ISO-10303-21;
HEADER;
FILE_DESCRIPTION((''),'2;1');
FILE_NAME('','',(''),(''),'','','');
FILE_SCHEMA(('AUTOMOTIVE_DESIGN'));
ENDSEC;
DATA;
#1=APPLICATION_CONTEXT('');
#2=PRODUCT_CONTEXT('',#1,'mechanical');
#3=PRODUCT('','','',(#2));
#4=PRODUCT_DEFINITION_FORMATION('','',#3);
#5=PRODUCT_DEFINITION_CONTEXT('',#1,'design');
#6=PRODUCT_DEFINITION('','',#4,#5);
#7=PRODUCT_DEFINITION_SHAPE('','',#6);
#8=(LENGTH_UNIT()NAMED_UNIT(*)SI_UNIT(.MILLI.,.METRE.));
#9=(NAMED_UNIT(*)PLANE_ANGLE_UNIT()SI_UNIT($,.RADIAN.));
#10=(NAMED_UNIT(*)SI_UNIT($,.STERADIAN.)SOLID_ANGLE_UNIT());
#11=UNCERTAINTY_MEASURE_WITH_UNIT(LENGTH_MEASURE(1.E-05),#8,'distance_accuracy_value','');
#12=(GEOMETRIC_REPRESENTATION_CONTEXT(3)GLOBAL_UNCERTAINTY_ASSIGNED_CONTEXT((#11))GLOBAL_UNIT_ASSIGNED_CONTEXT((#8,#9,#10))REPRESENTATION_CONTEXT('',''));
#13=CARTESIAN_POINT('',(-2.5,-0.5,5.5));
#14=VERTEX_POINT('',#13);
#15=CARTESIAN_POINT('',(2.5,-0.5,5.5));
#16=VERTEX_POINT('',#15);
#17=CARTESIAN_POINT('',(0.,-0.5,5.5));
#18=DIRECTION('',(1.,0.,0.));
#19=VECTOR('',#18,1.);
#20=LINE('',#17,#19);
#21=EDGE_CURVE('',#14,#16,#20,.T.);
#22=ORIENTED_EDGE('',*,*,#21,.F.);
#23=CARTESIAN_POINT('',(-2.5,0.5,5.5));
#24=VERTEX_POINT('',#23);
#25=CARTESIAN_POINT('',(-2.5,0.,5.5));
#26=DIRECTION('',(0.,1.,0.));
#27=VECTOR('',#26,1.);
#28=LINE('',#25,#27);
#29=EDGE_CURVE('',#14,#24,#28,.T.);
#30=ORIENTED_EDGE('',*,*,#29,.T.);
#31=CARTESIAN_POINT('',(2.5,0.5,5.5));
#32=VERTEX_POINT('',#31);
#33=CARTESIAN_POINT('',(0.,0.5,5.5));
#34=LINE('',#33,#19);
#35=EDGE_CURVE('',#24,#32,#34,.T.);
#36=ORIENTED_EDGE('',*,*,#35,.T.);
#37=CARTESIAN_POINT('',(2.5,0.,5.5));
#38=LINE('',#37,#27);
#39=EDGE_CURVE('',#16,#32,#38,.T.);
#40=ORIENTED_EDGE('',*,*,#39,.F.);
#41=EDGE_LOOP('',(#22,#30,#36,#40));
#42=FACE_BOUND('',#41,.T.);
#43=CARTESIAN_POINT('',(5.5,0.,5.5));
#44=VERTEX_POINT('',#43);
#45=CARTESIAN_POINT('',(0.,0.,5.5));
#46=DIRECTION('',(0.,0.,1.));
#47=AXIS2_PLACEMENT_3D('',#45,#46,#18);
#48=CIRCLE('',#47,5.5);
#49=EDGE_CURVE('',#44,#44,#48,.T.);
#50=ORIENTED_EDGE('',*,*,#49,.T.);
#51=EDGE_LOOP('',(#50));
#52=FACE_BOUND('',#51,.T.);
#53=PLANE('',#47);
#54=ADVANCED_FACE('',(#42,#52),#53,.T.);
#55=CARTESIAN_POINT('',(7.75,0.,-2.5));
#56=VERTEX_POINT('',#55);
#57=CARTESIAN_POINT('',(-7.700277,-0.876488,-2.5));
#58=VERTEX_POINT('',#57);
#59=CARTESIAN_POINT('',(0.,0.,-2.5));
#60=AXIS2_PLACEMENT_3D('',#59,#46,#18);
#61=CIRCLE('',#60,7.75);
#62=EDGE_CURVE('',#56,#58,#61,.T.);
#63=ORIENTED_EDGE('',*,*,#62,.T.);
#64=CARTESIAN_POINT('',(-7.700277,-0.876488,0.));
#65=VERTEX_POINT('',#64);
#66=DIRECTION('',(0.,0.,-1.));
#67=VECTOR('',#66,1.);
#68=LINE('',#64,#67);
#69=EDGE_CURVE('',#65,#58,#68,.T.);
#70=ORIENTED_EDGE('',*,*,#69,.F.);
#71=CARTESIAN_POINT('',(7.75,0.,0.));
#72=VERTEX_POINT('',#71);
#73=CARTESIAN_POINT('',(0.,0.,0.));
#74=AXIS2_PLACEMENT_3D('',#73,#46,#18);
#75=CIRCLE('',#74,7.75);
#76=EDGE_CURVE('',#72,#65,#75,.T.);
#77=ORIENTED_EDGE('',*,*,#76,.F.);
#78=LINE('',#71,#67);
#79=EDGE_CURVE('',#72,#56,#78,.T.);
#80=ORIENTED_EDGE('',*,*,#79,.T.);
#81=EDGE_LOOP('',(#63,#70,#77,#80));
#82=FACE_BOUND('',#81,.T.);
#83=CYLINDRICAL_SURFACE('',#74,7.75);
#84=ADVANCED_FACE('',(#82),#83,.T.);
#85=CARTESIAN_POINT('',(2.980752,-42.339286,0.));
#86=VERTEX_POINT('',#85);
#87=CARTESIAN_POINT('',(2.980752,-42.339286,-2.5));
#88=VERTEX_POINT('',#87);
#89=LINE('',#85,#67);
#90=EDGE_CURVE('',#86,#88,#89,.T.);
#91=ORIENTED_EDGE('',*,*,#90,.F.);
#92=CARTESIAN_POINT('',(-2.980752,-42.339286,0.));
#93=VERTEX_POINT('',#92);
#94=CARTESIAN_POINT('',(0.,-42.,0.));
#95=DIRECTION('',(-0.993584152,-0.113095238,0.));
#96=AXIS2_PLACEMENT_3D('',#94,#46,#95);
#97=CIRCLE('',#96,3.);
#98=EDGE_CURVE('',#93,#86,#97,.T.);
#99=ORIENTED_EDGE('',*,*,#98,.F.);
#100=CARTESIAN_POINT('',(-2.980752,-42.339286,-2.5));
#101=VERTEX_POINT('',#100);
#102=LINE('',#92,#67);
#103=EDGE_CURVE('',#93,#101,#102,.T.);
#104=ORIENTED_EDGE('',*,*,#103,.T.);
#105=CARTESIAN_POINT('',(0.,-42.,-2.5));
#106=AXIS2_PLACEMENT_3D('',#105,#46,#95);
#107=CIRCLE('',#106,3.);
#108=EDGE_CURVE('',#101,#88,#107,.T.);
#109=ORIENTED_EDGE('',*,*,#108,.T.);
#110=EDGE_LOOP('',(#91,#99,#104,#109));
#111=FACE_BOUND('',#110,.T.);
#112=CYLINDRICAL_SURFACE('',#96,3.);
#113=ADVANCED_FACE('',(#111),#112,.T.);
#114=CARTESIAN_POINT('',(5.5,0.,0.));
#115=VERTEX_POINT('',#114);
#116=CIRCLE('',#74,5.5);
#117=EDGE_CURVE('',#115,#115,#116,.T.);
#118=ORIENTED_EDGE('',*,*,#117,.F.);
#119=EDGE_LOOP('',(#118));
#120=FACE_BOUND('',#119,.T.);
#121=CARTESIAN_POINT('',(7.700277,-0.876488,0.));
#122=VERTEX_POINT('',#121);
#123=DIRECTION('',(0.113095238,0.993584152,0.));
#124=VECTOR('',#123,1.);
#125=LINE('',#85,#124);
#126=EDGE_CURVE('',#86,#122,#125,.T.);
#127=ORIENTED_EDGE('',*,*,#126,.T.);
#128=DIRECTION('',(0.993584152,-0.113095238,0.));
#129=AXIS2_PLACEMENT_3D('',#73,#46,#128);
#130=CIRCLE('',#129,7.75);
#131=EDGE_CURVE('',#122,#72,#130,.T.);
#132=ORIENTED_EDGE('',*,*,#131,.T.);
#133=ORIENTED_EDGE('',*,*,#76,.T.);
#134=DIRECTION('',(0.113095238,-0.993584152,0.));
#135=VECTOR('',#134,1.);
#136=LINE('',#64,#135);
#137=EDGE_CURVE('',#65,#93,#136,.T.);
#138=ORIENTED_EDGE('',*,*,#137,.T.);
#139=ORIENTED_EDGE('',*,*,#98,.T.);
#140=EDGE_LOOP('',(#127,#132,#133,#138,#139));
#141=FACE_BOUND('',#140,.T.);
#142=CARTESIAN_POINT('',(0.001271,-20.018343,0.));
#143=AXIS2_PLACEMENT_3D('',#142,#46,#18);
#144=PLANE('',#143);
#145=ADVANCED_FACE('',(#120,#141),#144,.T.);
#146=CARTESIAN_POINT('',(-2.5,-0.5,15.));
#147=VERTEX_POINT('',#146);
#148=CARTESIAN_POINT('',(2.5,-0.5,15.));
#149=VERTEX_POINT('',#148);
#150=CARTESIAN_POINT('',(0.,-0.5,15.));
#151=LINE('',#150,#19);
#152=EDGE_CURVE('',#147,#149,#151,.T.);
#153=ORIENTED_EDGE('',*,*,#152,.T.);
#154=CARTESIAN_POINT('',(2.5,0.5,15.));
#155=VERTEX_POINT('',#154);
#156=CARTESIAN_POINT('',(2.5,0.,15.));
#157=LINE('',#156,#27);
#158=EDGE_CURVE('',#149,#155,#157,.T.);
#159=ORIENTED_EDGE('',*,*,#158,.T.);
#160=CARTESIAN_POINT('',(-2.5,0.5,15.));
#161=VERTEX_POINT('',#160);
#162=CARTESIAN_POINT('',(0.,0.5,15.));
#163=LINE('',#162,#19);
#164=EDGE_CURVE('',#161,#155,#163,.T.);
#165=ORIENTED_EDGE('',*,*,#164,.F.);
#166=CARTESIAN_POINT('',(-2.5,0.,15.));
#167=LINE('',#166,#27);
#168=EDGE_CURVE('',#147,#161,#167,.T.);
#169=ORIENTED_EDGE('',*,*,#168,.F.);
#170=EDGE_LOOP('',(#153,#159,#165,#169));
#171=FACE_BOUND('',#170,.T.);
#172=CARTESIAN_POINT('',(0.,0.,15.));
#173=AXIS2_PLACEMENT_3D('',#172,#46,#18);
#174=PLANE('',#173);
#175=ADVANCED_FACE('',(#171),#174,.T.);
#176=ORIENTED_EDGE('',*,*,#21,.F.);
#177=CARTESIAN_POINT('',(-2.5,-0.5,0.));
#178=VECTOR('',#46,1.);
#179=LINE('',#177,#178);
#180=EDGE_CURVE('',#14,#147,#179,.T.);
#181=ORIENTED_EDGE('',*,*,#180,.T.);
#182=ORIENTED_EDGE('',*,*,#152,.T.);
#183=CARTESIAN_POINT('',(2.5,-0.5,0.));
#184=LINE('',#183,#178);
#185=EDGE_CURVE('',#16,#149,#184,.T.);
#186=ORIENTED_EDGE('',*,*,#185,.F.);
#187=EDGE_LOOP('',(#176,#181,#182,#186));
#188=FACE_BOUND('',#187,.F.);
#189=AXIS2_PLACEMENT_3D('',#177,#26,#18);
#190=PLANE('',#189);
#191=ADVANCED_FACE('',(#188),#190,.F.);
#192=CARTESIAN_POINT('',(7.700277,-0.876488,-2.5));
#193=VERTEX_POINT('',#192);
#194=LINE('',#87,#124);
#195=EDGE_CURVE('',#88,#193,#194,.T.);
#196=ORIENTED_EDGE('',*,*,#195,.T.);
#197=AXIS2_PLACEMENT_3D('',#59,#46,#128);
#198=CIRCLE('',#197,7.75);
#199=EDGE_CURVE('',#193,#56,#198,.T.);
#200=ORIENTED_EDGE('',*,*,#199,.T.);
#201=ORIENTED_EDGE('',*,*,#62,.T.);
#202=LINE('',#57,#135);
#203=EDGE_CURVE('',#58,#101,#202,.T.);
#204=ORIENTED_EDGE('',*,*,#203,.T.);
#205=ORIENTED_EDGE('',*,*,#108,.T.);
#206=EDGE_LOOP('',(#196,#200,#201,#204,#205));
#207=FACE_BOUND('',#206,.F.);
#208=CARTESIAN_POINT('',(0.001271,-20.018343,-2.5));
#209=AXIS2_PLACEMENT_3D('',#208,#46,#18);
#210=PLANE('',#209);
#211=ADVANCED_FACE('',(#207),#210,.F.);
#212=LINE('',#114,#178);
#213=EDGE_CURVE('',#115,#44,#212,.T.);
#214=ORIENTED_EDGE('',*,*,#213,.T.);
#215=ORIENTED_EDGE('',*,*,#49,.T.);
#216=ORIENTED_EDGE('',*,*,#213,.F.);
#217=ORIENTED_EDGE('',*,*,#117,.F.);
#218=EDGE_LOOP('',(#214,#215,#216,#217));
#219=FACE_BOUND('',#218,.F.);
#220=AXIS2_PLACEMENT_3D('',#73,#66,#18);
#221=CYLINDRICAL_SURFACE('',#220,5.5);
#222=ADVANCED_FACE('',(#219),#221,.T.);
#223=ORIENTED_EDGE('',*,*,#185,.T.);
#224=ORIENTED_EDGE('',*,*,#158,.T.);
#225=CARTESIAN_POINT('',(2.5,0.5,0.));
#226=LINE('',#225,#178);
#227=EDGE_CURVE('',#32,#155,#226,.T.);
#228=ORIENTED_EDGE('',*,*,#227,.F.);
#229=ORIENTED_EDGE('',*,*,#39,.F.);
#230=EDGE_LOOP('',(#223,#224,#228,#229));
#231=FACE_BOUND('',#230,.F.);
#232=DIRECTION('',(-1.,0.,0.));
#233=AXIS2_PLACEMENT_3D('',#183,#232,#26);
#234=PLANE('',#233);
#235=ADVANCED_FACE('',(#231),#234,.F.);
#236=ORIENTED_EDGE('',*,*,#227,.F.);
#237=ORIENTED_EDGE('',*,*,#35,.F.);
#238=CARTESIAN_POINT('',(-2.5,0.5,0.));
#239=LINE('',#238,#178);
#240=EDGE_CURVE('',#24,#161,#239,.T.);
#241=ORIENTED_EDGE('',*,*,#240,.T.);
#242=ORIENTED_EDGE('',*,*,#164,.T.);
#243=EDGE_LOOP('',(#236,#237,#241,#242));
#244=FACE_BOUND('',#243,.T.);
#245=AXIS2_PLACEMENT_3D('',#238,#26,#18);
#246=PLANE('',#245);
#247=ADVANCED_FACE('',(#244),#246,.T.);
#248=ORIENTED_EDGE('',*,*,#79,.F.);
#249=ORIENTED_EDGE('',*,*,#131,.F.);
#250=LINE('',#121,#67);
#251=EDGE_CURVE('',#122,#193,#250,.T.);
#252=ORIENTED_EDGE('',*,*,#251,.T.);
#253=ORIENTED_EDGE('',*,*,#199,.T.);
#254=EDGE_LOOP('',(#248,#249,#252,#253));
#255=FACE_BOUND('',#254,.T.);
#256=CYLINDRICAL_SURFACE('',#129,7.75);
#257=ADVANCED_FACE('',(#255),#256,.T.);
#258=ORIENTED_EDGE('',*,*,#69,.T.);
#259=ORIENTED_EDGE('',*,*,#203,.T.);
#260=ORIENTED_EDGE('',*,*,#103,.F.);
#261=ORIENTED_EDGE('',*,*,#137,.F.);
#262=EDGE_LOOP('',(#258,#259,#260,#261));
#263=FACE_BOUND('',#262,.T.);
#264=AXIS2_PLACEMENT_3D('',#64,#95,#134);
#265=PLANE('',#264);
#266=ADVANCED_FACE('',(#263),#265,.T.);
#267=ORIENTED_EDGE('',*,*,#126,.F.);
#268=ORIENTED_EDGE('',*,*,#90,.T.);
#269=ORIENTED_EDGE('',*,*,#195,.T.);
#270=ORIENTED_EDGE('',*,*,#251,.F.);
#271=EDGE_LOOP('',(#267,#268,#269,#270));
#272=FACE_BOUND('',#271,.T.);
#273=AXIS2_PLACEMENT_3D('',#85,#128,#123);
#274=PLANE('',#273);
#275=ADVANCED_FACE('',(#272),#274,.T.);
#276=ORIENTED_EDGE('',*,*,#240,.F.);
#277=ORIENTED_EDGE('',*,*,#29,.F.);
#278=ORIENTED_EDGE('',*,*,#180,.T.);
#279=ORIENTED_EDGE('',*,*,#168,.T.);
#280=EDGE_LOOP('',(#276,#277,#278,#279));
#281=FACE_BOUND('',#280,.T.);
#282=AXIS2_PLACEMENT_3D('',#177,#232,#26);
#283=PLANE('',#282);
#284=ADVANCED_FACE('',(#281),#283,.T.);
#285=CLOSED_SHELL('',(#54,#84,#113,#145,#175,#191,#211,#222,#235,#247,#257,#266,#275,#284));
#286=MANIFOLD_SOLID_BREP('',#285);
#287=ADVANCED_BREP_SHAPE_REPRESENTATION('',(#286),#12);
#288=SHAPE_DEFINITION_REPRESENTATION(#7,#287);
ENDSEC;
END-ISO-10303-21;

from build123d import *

# Parameters (mm, degrees)
F0_W     = 5
F0_H     = 1
F1_DEPTH = 15
F0_R     = 5.5
F2_DEPTH = 5.5
F3_DEPTH = 2.5


with BuildPart() as f1:
    # F0 (on Top) → F1 (new body)
    with BuildSketch(Plane.XY):
        Rectangle(F0_W, F0_H)
    extrude(amount=F1_DEPTH)

    # F0 (on Top) → F2 (join)
    with BuildSketch(Plane.XY):
        Circle(F0_R)
        Rectangle(F0_W, F0_H, mode=Mode.SUBTRACT)
    extrude(amount=F2_DEPTH)

    # F0 (on Top) → F3 (join)
    with BuildSketch(Plane.XY):
        with BuildLine():
            ThreePointArc((7.7002771781, -0.8764880952), (0, -7.75), (-7.7002771781, -0.8764880952))
            Line((-7.7002771781, -0.8764880952), (-2.980752456, -42.3392857143))
            ThreePointArc((-2.980752456, -42.3392857143), (-0.1699156143, -39.0048157512), (3, -42))
            ThreePointArc((3, -42), (2.9951842488, -42.1699156143), (2.980752456, -42.3392857143))
            Line((2.980752456, -42.3392857143), (7.7002771781, -0.8764880952))
        make_face()
        with BuildLine():
            ThreePointArc((7.7002771781, -0.8764880952), (7.7375593093, -0.4389486702), (7.75, 0))
            ThreePointArc((7.75, 0), (-0.4389486702, 7.7375593093), (-7.7002771781, -0.8764880952))
            ThreePointArc((-7.7002771781, -0.8764880952), (0, -7.75), (7.7002771781, -0.8764880952))
        make_face()
        Circle(F0_R, mode=Mode.SUBTRACT)
        Circle(F0_R)
        Rectangle(F0_W, F0_H, mode=Mode.SUBTRACT)
        with BuildLine():
            ThreePointArc((3, -42), (-0.1699156143, -39.0048157512), (-2.980752456, -42.3392857143))
            ThreePointArc((-2.980752456, -42.3392857143), (0, -45), (2.980752456, -42.3392857143))
            ThreePointArc((2.980752456, -42.3392857143), (2.9951842488, -42.1699156143), (3, -42))
        make_face()
        Rectangle(F0_W, F0_H)
    extrude(amount=-F3_DEPTH)


solid = f1.part
